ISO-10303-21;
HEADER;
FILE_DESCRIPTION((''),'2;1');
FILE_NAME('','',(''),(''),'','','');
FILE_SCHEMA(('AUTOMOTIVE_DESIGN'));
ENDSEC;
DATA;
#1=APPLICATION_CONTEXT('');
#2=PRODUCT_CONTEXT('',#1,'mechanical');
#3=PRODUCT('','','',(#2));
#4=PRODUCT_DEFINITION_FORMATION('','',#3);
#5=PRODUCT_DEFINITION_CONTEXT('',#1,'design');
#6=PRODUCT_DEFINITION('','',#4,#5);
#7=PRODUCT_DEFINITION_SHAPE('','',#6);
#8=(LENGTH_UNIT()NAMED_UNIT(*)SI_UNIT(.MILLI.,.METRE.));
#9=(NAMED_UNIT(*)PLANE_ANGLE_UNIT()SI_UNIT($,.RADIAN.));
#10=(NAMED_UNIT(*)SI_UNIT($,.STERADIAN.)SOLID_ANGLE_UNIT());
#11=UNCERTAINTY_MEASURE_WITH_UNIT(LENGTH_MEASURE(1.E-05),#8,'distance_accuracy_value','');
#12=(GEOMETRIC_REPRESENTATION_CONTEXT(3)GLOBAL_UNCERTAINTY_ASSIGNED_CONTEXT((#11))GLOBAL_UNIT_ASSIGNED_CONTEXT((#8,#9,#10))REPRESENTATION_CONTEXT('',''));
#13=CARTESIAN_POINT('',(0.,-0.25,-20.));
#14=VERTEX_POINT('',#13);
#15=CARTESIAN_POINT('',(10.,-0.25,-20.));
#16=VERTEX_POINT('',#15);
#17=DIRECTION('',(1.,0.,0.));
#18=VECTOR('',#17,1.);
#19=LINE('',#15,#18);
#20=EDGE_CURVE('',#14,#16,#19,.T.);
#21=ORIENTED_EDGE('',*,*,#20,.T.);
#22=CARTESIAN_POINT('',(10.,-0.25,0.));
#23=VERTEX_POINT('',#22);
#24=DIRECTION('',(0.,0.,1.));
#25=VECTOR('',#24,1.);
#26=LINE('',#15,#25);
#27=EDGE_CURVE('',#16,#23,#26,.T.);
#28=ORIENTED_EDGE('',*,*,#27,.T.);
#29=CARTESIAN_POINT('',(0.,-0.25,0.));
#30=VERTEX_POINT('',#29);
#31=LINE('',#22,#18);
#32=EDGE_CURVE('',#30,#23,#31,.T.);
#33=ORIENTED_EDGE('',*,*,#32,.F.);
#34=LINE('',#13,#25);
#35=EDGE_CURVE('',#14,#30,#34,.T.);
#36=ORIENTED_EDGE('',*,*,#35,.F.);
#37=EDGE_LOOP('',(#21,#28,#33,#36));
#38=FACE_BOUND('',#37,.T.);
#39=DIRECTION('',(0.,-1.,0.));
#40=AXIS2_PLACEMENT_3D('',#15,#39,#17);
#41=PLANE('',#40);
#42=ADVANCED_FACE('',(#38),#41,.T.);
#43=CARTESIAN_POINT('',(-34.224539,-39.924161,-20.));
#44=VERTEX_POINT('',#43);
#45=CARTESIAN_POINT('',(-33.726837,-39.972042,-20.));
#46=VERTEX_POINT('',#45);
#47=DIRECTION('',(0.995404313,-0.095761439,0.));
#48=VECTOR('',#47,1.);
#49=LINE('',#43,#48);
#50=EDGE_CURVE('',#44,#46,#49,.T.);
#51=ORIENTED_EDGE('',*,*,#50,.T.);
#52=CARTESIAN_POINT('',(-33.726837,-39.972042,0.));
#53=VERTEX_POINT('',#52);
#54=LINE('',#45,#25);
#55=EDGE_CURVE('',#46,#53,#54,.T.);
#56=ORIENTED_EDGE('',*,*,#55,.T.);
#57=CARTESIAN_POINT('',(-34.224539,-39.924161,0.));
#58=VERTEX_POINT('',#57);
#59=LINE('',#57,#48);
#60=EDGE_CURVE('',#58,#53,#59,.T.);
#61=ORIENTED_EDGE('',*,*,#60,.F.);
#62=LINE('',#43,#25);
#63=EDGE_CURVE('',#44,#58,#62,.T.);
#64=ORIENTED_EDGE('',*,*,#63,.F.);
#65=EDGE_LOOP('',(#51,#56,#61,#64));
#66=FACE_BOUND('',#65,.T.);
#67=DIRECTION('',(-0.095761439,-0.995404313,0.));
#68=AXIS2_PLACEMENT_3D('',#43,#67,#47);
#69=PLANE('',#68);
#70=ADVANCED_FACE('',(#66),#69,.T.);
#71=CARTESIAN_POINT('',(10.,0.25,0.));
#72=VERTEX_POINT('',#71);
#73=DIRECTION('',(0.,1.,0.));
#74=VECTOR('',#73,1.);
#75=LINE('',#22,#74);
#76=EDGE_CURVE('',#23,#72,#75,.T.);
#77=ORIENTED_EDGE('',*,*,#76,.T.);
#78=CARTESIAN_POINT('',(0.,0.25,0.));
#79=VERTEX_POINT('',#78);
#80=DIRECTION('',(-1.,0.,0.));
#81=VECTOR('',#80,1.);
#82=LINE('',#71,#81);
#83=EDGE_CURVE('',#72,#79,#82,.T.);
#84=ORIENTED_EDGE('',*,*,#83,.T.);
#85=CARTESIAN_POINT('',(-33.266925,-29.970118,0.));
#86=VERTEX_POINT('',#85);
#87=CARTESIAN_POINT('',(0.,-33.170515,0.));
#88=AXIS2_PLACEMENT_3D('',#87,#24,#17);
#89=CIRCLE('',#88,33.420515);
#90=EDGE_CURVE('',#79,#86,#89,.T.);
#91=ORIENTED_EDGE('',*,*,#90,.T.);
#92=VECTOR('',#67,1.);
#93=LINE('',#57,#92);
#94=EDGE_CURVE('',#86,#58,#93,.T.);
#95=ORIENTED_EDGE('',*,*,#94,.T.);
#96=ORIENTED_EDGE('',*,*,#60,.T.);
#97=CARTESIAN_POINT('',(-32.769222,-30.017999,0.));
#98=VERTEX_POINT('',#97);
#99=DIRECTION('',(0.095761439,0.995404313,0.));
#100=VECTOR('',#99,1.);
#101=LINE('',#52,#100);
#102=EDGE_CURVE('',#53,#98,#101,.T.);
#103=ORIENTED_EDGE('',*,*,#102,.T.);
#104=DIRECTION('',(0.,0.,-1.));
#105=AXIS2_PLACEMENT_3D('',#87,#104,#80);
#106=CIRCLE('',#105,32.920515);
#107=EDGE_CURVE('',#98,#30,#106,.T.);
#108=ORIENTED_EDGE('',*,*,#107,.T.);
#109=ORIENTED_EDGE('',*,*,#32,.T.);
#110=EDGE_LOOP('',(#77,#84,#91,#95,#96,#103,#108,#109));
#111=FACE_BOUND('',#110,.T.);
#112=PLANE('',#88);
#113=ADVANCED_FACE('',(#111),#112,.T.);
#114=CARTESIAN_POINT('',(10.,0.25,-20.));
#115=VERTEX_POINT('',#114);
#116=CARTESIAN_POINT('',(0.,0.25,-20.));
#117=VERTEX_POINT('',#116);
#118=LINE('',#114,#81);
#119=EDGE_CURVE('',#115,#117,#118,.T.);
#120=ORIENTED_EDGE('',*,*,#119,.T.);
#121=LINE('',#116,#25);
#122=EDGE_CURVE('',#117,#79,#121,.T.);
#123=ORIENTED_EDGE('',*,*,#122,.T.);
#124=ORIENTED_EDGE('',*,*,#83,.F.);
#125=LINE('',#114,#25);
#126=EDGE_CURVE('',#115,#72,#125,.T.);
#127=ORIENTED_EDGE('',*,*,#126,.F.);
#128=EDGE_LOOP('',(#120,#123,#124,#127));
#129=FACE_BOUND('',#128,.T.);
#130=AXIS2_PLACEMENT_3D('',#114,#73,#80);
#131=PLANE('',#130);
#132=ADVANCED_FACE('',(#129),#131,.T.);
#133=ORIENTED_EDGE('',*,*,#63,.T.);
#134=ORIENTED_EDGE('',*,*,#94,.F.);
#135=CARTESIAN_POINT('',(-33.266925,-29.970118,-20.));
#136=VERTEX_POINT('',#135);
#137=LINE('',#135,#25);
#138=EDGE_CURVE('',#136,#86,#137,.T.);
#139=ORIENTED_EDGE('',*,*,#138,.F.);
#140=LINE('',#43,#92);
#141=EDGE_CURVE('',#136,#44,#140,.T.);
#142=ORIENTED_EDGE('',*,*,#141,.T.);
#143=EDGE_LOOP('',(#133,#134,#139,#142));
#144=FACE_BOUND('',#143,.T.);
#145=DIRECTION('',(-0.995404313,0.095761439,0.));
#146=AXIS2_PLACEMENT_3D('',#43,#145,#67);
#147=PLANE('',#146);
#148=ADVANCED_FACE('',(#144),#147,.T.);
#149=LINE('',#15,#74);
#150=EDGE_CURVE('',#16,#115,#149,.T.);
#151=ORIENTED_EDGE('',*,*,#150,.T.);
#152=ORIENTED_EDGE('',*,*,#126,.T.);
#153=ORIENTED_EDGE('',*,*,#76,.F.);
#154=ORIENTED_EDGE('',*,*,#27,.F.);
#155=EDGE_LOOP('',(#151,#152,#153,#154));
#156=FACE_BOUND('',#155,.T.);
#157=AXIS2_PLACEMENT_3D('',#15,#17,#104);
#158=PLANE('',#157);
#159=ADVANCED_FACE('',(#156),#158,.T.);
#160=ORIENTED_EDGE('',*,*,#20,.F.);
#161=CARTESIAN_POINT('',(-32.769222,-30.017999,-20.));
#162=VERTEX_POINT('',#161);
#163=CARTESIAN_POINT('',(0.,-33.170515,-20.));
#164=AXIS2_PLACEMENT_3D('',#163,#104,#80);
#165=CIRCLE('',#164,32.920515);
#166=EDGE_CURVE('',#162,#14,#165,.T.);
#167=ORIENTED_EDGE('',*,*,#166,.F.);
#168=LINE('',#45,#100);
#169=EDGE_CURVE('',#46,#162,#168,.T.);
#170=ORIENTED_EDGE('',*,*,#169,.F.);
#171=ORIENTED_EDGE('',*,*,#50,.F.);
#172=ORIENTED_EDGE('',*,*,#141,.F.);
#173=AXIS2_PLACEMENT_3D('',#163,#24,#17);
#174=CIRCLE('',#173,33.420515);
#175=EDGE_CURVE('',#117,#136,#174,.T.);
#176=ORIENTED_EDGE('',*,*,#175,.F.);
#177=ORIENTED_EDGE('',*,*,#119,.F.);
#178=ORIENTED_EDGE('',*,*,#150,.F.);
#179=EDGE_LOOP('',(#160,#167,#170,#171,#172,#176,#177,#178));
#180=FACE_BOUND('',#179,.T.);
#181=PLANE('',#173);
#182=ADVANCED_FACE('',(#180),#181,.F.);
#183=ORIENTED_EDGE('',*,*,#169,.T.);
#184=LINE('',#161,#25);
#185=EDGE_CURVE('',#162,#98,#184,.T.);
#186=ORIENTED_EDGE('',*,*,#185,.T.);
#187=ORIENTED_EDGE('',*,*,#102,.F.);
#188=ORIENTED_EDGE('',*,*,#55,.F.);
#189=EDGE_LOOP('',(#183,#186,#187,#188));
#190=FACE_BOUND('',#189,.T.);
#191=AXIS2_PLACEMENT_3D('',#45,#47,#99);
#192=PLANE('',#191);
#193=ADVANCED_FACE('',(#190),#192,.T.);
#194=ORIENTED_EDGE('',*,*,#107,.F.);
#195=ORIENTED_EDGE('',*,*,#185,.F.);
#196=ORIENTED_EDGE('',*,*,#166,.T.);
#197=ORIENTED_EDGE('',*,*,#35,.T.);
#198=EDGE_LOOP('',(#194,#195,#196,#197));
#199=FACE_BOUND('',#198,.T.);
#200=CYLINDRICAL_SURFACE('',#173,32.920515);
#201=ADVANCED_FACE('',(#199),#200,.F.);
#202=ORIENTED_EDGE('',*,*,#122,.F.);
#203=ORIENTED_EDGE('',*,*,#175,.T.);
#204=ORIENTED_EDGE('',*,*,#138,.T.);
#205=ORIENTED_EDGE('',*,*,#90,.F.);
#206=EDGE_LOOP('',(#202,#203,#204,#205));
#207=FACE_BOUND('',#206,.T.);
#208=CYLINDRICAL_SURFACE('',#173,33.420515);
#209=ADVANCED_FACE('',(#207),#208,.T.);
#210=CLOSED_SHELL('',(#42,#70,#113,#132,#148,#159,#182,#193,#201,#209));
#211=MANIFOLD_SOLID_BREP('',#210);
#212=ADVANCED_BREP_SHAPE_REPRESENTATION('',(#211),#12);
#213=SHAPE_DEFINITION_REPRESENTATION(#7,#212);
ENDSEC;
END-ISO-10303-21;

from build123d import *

# Parameters (mm, degrees)
BOSS_EXTRUDE1_DEPTH = 20


with BuildPart() as part:
    # Sketch1 → Boss-Extrude1 (new body)
    with BuildSketch(Plane.XY):
        with BuildLine():
            Line((-34.224539027, -39.924161377), (-33.726836871, -39.972042097))
            Line((-33.726836871, -39.972042097), (-32.769222477, -30.017998965))
            ThreePointArc((-32.769222477, -30.017998965), (-22.135693484, -8.803090448), (0, -0.25))
            Line((0, -0.25), (10, -0.25))
            Line((10, -0.25), (10, 0.25))
            Line((10, 0.25), (0, 0.25))
            ThreePointArc((0, 0.25), (-22.471892562, -8.432995622), (-33.266924633, -29.970118245))
            Line((-33.266924633, -29.970118245), (-34.224539027, -39.924161377))
        make_face()
    extrude(amount=-BOSS_EXTRUDE1_DEPTH)


solid = part.part
